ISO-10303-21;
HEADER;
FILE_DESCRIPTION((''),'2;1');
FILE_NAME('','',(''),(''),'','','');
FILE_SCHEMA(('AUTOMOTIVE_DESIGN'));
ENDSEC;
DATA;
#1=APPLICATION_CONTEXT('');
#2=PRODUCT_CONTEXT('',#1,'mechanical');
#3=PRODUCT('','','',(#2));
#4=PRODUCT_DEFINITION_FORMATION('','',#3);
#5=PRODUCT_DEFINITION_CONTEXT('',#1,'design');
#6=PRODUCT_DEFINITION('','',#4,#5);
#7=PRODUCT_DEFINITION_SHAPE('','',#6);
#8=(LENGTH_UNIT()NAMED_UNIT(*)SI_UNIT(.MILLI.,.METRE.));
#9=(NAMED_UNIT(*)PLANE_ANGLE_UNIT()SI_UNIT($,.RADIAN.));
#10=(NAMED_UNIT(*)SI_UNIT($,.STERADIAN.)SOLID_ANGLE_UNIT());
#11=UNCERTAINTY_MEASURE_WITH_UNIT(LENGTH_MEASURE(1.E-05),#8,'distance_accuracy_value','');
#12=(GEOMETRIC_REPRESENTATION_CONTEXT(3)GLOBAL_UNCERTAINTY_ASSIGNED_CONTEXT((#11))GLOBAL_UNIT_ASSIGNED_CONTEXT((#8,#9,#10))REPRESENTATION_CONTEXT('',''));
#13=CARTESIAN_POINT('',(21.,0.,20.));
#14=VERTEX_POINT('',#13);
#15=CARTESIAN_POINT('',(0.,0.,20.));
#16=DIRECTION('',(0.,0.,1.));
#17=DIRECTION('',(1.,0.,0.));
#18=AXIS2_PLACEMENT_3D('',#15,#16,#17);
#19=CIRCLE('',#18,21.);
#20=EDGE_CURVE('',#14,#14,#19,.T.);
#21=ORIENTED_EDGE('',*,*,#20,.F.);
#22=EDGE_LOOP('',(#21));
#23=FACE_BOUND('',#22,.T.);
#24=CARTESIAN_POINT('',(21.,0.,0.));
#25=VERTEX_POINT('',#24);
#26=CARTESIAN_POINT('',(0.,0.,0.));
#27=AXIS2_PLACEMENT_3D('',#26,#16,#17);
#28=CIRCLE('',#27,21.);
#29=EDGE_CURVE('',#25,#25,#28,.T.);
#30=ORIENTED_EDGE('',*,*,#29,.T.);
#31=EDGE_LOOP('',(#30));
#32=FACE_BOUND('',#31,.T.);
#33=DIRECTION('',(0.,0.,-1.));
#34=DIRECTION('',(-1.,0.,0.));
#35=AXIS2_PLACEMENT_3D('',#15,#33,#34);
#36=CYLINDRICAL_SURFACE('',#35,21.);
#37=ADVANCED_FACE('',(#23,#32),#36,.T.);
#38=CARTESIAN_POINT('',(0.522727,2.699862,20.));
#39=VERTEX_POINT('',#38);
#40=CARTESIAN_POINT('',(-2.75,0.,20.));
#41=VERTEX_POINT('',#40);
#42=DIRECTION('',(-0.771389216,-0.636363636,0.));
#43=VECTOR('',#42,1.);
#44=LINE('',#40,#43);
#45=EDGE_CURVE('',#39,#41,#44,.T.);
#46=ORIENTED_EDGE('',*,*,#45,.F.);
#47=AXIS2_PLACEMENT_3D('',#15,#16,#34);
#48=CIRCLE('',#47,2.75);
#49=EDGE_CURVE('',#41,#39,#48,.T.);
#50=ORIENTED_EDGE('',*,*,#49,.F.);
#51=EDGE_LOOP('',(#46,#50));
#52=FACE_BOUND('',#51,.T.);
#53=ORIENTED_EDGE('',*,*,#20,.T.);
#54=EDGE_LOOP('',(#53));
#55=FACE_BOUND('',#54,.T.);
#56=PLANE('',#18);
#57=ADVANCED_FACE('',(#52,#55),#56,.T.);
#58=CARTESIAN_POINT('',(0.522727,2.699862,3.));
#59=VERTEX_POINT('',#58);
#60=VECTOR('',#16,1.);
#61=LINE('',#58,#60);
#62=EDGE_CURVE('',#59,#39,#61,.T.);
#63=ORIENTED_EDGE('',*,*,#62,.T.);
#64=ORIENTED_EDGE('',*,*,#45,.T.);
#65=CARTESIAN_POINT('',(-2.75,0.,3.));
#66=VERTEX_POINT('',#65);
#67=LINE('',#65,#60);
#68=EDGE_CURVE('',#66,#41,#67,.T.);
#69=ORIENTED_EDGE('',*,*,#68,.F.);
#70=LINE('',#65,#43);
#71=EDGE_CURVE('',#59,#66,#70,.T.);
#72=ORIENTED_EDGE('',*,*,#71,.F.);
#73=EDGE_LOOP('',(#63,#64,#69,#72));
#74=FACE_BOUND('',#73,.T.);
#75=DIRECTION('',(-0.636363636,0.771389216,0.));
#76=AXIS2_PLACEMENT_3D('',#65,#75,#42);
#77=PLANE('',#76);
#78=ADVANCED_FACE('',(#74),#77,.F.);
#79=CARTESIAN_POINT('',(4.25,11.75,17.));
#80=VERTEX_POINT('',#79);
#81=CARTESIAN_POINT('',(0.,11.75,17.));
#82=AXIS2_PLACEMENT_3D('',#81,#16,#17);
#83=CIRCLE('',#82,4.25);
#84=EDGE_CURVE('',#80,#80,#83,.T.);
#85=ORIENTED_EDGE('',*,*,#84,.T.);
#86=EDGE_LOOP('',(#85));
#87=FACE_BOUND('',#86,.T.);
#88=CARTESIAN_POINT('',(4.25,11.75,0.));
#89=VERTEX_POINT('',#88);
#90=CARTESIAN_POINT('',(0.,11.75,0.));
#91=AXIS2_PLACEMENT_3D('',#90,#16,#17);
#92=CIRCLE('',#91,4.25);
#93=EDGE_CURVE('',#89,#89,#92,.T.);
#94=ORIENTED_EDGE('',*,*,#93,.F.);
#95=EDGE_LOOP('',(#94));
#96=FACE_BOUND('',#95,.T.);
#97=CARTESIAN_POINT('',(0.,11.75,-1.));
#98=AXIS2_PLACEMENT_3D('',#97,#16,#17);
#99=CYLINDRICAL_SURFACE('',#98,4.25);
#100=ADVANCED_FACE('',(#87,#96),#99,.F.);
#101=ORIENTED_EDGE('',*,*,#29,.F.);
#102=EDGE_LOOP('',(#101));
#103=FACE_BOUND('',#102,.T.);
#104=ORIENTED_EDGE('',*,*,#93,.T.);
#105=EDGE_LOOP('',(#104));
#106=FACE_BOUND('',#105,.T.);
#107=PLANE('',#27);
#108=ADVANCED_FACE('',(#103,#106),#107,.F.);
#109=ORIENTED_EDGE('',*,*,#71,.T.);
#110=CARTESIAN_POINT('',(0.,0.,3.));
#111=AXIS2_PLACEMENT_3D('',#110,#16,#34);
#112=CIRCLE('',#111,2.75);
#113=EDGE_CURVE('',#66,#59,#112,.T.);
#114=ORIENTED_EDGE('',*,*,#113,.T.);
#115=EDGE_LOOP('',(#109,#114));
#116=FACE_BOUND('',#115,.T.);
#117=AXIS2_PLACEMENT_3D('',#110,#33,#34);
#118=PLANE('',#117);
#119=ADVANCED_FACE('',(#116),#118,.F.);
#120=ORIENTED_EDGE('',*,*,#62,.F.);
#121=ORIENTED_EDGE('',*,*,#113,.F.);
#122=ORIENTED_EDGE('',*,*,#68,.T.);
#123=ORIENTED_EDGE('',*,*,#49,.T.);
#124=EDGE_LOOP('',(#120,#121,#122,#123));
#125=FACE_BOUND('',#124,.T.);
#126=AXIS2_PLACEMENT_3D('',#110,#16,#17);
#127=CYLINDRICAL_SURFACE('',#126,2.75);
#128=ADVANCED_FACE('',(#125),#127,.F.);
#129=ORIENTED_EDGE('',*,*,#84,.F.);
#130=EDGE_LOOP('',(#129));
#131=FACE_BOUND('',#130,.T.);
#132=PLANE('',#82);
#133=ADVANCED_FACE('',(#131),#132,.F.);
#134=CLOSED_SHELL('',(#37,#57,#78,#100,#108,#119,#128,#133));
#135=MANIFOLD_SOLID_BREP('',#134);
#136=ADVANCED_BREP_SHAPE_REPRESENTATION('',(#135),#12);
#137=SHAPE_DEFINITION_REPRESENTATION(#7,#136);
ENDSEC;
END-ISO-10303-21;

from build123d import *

# Parameters (mm, degrees)
SKETCH1_R           = 21
BOSS_EXTRUDE1_DEPTH = 20
CUT_EXTRUDE1_DEPTH  = 17
CUT_EXTRUDE2_START  = -3
SKETCH3_R           = 4.25
CUT_EXTRUDE2_DEPTH  = 18


with BuildPart() as part:
    # Sketch1 → Boss-Extrude1 (new body)
    with BuildSketch(Plane.XY):
        Circle(SKETCH1_R)
    extrude(amount=BOSS_EXTRUDE1_DEPTH)

    # Sketch2 → Cut-Extrude1 (cut)
    with BuildSketch(Plane.XY.offset(20)):
        with BuildLine():
            Line((-2.75, 0), (0.522727273, 2.699862255))
            ThreePointArc((0.522727273, 2.699862255), (1.75, -2.121320344), (-2.75, 0))
        make_face()
    extrude(amount=-CUT_EXTRUDE1_DEPTH, mode=Mode.SUBTRACT)

    # Sketch3 → Cut-Extrude2 (cut)
    with BuildSketch(Plane.XY.offset(20).offset(CUT_EXTRUDE2_START)):
        with Locations((0, 11.75)):
            Circle(SKETCH3_R)
    extrude(amount=-CUT_EXTRUDE2_DEPTH, mode=Mode.SUBTRACT)


solid = part.part
